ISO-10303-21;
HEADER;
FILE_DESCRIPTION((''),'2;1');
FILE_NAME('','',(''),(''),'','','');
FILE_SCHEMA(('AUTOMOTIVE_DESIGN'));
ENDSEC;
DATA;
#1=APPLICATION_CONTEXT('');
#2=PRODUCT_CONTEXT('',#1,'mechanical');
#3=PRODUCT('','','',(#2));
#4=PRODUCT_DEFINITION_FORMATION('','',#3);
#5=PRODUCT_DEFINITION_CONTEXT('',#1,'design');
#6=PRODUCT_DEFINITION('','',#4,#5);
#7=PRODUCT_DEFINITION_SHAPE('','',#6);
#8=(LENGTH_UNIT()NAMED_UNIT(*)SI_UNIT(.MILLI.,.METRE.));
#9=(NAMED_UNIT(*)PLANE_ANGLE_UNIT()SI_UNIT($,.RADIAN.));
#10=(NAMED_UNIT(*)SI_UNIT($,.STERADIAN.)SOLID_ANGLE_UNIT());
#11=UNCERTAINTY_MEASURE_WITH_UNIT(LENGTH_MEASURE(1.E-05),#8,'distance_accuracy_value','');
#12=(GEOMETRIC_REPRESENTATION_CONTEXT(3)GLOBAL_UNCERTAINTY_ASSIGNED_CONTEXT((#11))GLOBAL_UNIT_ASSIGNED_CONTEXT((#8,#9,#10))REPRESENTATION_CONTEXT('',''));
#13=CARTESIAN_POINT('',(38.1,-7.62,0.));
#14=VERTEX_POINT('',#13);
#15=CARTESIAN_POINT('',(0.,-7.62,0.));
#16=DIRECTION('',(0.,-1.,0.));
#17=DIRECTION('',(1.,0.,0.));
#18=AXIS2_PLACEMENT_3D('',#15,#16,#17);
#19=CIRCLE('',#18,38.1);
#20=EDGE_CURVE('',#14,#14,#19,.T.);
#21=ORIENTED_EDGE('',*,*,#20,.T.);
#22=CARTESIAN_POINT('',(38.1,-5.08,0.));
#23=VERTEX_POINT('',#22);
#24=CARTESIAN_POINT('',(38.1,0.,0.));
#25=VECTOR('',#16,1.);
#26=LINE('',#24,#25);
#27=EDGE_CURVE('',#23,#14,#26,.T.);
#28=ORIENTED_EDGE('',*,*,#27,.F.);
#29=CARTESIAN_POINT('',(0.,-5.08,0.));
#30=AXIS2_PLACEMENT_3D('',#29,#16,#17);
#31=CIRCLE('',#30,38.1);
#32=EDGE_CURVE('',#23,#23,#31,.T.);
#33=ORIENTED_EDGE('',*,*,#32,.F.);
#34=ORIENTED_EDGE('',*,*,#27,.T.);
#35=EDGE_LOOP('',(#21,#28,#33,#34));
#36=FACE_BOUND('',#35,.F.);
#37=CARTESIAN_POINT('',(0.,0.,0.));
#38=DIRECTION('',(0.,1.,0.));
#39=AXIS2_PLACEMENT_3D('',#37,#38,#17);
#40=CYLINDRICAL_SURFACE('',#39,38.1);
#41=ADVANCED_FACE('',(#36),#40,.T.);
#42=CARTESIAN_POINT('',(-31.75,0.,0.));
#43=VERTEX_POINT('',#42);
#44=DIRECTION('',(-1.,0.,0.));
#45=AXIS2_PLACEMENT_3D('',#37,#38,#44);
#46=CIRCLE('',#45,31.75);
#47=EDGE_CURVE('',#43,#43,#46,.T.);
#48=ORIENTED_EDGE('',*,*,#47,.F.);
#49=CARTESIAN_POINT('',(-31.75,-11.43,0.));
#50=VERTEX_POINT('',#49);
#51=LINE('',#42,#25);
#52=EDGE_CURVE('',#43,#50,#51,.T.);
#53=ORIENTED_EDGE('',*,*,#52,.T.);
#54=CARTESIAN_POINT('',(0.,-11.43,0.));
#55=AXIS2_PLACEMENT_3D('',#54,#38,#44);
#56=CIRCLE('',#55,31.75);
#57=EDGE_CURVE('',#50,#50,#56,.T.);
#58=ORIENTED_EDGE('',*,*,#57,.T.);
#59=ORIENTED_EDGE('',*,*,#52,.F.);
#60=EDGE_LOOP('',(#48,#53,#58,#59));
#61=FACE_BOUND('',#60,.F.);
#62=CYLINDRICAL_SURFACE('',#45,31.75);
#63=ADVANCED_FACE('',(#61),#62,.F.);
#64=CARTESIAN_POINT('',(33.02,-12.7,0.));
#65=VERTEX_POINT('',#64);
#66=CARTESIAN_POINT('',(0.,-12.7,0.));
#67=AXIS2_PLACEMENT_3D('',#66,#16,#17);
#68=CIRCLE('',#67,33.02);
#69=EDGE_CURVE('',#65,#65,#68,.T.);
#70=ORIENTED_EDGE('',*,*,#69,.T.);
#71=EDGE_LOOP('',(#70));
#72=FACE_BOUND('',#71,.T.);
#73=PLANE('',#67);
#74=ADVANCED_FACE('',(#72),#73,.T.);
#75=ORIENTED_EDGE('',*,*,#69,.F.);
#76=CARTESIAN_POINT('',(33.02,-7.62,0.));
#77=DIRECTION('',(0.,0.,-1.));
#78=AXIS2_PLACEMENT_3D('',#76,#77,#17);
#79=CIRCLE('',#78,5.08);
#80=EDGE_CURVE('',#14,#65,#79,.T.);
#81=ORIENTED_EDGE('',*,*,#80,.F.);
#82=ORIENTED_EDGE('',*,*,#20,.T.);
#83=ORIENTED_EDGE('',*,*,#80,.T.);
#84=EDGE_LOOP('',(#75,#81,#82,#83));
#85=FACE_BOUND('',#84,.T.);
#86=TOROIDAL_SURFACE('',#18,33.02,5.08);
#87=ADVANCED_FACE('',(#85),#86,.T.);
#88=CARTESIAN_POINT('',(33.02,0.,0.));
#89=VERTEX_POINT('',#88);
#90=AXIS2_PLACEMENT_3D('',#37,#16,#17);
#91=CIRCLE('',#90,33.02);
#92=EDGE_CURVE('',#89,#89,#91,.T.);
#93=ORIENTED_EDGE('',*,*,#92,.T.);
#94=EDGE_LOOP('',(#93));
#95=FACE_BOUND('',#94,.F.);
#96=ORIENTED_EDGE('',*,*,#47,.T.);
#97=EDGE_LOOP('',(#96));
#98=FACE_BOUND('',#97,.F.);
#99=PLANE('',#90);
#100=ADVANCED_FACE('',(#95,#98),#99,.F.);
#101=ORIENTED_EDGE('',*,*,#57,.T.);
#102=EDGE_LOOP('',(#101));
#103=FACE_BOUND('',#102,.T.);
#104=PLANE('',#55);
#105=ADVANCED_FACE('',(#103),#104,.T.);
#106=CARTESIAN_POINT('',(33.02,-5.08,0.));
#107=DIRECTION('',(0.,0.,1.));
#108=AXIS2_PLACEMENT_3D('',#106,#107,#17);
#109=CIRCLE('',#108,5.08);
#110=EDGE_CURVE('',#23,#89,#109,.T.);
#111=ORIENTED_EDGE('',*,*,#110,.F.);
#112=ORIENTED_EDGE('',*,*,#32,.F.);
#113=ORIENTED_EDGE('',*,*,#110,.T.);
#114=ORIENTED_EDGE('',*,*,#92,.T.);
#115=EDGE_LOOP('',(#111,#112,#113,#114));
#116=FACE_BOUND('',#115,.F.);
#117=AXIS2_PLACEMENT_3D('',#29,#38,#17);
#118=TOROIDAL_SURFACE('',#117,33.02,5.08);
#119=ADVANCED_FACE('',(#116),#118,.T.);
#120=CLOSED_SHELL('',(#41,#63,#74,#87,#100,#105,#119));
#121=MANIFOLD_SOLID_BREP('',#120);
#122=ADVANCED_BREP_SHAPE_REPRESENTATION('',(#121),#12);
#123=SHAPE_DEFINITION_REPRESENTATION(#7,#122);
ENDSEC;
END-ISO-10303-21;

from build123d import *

# Parameters (mm, degrees)
F0_R     = 38.1
F1_DEPTH = 12.7
F2_R     = 31.75
F3_DEPTH = 11.43
F4_R     = 5.08


with BuildPart() as f1:
    # F0 (on Front) → F1 (new body)
    with BuildSketch(Plane.XZ):
        Circle(F0_R)
    extrude(amount=F1_DEPTH)

    # F2 (on face) → F3 (cut)
    with BuildSketch(Plane(origin=(0, 0, 0), x_dir=(-1, 0, 0), z_dir=(0, 1, 0))):
        Circle(F2_R)
    extrude(amount=-F3_DEPTH, mode=Mode.SUBTRACT)

    # F4
    f4_edges = [f1.edges().sort_by_distance(p)[0] for p in [
        (38.1, -6.35, 0),
        (-38.1, 0, 0),
        (-38.1, -12.7, 0),
    ]]
    fillet(f4_edges, radius=F4_R)


solid = f1.part
